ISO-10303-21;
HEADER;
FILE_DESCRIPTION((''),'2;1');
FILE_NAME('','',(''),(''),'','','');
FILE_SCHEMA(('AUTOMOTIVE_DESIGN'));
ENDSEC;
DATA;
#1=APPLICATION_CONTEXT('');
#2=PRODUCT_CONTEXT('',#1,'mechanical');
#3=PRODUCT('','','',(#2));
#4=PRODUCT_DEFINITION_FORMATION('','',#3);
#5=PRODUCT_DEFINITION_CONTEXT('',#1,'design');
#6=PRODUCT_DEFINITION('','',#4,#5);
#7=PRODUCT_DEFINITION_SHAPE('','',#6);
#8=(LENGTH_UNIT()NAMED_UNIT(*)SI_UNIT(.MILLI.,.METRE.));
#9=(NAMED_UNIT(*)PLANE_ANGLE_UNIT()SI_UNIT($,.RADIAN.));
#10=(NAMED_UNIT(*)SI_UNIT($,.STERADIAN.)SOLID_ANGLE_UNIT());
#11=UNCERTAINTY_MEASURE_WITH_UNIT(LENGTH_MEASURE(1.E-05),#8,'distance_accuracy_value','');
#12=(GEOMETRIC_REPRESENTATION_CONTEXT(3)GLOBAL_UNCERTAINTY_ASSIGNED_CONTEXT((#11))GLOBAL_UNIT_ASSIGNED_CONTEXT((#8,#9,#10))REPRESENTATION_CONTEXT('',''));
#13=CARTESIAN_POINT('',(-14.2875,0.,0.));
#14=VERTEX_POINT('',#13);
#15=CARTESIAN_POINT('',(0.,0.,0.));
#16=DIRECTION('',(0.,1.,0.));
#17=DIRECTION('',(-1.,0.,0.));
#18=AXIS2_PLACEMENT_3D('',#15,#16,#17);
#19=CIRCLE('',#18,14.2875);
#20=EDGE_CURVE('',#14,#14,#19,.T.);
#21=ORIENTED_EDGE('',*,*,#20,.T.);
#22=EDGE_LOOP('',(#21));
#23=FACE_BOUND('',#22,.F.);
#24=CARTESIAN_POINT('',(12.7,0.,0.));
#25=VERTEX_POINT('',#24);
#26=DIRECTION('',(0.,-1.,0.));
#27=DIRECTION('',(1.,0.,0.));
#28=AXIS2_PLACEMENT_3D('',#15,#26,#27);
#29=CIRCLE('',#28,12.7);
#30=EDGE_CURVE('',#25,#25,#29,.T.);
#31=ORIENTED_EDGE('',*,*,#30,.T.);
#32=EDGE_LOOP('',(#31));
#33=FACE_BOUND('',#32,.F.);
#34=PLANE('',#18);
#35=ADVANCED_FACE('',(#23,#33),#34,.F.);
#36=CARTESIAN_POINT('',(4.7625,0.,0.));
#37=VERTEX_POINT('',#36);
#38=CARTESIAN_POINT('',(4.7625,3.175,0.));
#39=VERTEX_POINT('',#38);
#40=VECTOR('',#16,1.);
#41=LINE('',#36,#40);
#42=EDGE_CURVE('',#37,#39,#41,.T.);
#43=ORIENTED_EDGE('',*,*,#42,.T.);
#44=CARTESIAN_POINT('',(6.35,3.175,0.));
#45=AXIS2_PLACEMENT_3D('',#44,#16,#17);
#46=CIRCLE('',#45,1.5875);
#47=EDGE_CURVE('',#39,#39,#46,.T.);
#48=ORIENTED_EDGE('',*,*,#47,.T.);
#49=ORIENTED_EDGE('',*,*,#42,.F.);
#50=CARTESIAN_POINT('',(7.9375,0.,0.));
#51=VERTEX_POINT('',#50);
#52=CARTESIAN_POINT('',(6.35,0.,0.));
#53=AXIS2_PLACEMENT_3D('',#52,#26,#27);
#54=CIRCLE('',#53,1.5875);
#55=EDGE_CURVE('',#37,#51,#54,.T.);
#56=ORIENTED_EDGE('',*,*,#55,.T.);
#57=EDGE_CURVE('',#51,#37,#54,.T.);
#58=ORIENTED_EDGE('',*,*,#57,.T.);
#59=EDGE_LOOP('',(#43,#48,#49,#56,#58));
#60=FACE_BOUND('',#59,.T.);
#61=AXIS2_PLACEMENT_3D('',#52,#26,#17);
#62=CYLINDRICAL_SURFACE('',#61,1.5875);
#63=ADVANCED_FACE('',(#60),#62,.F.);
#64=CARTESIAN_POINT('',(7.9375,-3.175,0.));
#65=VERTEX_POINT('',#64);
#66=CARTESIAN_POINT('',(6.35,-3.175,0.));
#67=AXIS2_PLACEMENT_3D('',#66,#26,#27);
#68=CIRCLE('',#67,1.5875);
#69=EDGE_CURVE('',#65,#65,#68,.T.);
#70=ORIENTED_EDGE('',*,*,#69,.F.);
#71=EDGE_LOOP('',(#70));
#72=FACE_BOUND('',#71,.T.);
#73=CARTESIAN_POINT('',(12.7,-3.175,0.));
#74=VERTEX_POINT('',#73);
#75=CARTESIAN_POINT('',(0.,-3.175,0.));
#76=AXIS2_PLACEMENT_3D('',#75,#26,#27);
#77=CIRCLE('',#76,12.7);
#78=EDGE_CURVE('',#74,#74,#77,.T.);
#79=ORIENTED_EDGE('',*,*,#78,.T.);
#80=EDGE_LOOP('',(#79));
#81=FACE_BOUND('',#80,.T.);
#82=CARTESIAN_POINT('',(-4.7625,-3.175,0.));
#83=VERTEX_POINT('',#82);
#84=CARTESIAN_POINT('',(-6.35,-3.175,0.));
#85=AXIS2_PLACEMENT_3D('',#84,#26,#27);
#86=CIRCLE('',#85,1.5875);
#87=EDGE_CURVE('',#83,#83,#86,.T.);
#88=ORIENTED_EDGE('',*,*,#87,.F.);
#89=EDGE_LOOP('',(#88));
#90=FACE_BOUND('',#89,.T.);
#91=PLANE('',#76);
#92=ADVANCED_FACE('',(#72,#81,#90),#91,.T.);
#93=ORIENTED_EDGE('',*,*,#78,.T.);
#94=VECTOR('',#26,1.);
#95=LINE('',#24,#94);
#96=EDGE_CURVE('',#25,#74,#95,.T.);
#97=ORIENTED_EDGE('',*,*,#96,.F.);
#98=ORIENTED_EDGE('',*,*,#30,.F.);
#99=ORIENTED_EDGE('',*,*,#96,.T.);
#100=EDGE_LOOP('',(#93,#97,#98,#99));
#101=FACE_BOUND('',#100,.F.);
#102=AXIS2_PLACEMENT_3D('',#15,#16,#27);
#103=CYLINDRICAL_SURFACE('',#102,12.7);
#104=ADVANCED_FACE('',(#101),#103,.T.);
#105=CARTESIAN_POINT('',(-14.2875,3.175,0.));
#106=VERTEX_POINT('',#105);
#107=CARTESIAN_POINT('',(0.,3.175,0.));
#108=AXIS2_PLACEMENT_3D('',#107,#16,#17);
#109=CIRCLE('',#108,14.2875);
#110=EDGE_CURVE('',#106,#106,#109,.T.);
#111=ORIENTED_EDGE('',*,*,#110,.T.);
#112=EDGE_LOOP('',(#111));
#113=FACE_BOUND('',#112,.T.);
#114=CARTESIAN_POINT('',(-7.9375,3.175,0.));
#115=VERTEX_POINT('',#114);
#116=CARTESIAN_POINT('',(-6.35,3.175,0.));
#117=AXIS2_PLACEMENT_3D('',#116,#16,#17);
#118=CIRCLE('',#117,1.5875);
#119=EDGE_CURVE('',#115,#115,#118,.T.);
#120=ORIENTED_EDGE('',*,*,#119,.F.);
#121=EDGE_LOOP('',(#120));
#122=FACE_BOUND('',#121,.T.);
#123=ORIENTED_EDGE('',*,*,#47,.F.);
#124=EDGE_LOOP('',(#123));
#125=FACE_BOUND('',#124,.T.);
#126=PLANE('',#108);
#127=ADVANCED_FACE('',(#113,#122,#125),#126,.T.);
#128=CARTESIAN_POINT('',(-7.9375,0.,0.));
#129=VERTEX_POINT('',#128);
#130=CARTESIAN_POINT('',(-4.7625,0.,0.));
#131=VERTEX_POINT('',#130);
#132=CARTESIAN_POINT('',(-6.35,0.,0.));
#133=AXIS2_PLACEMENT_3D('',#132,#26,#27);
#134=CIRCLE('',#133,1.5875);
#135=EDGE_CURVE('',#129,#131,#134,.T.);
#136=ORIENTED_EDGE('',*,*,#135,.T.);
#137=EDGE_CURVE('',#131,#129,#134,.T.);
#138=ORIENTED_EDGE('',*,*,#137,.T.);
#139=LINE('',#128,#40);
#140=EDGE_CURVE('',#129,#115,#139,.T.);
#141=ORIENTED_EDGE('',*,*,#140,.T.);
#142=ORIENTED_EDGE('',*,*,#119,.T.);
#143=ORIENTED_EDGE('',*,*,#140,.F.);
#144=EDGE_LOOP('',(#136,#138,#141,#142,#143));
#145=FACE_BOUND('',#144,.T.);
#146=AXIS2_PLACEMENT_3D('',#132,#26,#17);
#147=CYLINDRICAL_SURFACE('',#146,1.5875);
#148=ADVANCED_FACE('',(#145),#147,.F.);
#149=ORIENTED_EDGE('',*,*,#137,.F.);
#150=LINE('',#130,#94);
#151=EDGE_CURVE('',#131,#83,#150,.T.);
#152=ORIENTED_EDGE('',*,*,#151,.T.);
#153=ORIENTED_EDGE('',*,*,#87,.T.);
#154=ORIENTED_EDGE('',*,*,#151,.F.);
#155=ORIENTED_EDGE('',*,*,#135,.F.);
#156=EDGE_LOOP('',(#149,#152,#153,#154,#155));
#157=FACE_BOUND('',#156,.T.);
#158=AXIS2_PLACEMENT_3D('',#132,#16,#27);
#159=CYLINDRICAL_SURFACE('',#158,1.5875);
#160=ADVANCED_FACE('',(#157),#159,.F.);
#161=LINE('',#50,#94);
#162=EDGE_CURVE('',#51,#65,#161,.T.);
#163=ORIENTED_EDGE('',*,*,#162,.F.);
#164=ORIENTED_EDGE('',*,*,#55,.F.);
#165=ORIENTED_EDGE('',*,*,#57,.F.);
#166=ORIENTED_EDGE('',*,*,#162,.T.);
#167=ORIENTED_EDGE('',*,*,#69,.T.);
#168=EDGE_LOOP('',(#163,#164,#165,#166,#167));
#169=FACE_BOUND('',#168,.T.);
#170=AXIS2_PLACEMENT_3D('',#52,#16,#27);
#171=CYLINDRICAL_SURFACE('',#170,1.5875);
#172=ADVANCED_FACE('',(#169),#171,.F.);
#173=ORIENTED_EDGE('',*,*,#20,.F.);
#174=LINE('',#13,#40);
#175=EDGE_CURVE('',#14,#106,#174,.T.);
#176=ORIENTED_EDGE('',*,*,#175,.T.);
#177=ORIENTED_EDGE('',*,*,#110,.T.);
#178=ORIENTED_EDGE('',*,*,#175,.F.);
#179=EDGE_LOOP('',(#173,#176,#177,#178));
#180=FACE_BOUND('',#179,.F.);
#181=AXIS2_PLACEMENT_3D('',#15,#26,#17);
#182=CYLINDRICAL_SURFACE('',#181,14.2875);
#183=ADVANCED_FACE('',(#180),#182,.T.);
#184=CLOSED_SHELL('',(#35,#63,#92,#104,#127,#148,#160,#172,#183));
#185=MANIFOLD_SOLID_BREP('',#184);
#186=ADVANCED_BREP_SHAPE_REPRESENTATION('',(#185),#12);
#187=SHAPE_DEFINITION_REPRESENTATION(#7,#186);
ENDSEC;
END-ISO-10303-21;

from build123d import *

# Parameters (mm, degrees)
F0_R     = 12.7
F0_R_2   = 1.5875
F1_DEPTH = 3.175
F2_R     = 14.2875
F2_R_2   = 1.5875
F3_DEPTH = 3.175


with BuildPart() as f1:
    # F0 (on Front) → F1 (new body)
    with BuildSketch(Plane.XZ):
        Circle(F0_R)
        with Locations((-6.35, 0)):
            Circle(F0_R_2, mode=Mode.SUBTRACT)
        with Locations((6.35, 0)):
            Circle(F0_R_2, mode=Mode.SUBTRACT)
    extrude(amount=F1_DEPTH)

    # F2 (on face) → F3 (join)
    with BuildSketch(Plane(origin=(0, 0, 0), x_dir=(-1, 0, 0), z_dir=(0, 1, 0))):
        Circle(F2_R)
        with Locations((-6.35, 0)):
            Circle(F2_R_2, mode=Mode.SUBTRACT)
        with Locations((6.35, 0)):
            Circle(F2_R_2, mode=Mode.SUBTRACT)
    extrude(amount=F3_DEPTH)


solid = f1.part
